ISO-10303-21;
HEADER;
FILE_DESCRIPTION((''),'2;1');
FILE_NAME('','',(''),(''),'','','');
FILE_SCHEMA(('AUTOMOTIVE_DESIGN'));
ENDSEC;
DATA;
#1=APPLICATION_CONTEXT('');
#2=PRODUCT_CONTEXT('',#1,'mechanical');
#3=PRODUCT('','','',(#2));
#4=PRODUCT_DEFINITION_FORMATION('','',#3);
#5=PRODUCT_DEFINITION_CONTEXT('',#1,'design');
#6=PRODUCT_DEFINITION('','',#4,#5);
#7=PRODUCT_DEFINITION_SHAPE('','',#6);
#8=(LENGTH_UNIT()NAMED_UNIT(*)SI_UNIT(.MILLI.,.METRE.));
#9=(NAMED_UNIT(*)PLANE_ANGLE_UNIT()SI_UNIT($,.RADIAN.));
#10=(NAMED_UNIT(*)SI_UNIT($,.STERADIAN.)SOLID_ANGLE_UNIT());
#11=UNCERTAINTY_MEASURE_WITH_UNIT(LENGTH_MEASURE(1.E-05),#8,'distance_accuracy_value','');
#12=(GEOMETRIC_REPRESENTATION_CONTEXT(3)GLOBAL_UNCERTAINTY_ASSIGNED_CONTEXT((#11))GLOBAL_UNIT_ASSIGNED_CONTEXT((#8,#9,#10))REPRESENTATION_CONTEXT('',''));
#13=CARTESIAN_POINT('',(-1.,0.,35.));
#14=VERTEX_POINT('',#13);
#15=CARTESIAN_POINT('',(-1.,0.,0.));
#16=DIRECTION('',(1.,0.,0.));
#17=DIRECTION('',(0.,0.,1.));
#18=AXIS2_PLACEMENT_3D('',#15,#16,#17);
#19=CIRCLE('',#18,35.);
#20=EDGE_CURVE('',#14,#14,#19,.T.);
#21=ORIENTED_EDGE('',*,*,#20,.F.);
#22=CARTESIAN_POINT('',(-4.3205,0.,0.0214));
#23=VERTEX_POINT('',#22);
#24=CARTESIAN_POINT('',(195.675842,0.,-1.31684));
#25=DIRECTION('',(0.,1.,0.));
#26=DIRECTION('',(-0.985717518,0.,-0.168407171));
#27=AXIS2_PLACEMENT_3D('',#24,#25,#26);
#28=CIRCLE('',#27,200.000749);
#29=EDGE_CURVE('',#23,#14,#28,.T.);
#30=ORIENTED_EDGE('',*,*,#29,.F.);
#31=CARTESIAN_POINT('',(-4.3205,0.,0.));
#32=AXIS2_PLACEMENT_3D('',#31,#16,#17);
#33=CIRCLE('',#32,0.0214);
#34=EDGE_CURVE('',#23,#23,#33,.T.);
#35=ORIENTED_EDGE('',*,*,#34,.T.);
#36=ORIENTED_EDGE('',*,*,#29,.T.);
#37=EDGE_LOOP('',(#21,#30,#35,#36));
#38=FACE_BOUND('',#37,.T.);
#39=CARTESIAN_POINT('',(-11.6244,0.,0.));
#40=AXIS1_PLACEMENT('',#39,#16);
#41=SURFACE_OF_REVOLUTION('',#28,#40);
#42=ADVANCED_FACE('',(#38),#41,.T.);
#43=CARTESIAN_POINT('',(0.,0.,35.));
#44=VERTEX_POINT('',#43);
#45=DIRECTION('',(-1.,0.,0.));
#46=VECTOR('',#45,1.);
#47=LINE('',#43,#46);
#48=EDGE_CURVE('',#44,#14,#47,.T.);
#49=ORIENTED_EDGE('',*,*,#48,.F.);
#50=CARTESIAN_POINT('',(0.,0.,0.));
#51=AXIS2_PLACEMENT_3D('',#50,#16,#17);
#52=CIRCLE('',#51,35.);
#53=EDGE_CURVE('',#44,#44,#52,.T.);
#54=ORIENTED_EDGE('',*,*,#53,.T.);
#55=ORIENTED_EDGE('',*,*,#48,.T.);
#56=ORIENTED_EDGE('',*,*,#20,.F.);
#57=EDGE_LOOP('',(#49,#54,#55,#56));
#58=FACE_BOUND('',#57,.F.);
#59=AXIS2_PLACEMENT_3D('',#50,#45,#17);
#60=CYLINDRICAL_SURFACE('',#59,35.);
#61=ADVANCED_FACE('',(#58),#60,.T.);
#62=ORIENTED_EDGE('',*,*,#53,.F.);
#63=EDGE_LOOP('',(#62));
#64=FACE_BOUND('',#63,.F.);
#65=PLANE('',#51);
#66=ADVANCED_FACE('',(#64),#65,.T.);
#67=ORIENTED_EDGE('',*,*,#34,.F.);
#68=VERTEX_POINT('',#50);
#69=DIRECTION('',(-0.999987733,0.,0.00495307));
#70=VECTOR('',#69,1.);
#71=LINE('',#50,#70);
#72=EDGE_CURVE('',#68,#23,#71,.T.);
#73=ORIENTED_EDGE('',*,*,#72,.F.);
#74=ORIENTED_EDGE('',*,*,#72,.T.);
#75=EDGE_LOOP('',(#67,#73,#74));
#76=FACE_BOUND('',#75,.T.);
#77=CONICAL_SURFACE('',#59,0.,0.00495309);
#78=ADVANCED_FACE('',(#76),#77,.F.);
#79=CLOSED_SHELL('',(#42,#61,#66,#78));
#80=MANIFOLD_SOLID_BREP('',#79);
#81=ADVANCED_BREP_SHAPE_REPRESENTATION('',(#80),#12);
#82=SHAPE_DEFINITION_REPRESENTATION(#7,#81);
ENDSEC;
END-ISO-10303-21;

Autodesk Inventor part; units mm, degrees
ref_plane "YZ Plane" through (0, 0, 0) normal (1, 0, 0) x (0, 1, 0)
ref_plane "XZ Plane" through (0, 0, 0) normal (0, 1, 0) x (-1, 0, 0)
ref_plane "XY Plane" through (0, 0, 0) normal (0, 0, 1) x (1, 0, 0)
sketch "Sketch1" plane through (0, 0, 0) normal (0, 1, 0) x (-1, 0, 0)
  line L0 (0, 0) -> (0, 35)
  line L1 (0, 35) -> (1, 35)
  line L2 (11.6244, 0) -> (-8.6875, 0) construction
  arc A0 (1.4684, -34.9984) -> (1, 35) centre (-195.6751, -1.3169) ccw
  line L3 (0, 0) -> (4.3205, 0.0214)
  dimension "d0" = 35
  dimension "d1" = 1
  dimension "d2" = 70
  dimension "d3" = 200
revolve "Revolution1" add sketch "Sketch1" angle 360 about axis through (-11.6244, 0, 0) along (1, 0, 0)
properties part number "Lens"
